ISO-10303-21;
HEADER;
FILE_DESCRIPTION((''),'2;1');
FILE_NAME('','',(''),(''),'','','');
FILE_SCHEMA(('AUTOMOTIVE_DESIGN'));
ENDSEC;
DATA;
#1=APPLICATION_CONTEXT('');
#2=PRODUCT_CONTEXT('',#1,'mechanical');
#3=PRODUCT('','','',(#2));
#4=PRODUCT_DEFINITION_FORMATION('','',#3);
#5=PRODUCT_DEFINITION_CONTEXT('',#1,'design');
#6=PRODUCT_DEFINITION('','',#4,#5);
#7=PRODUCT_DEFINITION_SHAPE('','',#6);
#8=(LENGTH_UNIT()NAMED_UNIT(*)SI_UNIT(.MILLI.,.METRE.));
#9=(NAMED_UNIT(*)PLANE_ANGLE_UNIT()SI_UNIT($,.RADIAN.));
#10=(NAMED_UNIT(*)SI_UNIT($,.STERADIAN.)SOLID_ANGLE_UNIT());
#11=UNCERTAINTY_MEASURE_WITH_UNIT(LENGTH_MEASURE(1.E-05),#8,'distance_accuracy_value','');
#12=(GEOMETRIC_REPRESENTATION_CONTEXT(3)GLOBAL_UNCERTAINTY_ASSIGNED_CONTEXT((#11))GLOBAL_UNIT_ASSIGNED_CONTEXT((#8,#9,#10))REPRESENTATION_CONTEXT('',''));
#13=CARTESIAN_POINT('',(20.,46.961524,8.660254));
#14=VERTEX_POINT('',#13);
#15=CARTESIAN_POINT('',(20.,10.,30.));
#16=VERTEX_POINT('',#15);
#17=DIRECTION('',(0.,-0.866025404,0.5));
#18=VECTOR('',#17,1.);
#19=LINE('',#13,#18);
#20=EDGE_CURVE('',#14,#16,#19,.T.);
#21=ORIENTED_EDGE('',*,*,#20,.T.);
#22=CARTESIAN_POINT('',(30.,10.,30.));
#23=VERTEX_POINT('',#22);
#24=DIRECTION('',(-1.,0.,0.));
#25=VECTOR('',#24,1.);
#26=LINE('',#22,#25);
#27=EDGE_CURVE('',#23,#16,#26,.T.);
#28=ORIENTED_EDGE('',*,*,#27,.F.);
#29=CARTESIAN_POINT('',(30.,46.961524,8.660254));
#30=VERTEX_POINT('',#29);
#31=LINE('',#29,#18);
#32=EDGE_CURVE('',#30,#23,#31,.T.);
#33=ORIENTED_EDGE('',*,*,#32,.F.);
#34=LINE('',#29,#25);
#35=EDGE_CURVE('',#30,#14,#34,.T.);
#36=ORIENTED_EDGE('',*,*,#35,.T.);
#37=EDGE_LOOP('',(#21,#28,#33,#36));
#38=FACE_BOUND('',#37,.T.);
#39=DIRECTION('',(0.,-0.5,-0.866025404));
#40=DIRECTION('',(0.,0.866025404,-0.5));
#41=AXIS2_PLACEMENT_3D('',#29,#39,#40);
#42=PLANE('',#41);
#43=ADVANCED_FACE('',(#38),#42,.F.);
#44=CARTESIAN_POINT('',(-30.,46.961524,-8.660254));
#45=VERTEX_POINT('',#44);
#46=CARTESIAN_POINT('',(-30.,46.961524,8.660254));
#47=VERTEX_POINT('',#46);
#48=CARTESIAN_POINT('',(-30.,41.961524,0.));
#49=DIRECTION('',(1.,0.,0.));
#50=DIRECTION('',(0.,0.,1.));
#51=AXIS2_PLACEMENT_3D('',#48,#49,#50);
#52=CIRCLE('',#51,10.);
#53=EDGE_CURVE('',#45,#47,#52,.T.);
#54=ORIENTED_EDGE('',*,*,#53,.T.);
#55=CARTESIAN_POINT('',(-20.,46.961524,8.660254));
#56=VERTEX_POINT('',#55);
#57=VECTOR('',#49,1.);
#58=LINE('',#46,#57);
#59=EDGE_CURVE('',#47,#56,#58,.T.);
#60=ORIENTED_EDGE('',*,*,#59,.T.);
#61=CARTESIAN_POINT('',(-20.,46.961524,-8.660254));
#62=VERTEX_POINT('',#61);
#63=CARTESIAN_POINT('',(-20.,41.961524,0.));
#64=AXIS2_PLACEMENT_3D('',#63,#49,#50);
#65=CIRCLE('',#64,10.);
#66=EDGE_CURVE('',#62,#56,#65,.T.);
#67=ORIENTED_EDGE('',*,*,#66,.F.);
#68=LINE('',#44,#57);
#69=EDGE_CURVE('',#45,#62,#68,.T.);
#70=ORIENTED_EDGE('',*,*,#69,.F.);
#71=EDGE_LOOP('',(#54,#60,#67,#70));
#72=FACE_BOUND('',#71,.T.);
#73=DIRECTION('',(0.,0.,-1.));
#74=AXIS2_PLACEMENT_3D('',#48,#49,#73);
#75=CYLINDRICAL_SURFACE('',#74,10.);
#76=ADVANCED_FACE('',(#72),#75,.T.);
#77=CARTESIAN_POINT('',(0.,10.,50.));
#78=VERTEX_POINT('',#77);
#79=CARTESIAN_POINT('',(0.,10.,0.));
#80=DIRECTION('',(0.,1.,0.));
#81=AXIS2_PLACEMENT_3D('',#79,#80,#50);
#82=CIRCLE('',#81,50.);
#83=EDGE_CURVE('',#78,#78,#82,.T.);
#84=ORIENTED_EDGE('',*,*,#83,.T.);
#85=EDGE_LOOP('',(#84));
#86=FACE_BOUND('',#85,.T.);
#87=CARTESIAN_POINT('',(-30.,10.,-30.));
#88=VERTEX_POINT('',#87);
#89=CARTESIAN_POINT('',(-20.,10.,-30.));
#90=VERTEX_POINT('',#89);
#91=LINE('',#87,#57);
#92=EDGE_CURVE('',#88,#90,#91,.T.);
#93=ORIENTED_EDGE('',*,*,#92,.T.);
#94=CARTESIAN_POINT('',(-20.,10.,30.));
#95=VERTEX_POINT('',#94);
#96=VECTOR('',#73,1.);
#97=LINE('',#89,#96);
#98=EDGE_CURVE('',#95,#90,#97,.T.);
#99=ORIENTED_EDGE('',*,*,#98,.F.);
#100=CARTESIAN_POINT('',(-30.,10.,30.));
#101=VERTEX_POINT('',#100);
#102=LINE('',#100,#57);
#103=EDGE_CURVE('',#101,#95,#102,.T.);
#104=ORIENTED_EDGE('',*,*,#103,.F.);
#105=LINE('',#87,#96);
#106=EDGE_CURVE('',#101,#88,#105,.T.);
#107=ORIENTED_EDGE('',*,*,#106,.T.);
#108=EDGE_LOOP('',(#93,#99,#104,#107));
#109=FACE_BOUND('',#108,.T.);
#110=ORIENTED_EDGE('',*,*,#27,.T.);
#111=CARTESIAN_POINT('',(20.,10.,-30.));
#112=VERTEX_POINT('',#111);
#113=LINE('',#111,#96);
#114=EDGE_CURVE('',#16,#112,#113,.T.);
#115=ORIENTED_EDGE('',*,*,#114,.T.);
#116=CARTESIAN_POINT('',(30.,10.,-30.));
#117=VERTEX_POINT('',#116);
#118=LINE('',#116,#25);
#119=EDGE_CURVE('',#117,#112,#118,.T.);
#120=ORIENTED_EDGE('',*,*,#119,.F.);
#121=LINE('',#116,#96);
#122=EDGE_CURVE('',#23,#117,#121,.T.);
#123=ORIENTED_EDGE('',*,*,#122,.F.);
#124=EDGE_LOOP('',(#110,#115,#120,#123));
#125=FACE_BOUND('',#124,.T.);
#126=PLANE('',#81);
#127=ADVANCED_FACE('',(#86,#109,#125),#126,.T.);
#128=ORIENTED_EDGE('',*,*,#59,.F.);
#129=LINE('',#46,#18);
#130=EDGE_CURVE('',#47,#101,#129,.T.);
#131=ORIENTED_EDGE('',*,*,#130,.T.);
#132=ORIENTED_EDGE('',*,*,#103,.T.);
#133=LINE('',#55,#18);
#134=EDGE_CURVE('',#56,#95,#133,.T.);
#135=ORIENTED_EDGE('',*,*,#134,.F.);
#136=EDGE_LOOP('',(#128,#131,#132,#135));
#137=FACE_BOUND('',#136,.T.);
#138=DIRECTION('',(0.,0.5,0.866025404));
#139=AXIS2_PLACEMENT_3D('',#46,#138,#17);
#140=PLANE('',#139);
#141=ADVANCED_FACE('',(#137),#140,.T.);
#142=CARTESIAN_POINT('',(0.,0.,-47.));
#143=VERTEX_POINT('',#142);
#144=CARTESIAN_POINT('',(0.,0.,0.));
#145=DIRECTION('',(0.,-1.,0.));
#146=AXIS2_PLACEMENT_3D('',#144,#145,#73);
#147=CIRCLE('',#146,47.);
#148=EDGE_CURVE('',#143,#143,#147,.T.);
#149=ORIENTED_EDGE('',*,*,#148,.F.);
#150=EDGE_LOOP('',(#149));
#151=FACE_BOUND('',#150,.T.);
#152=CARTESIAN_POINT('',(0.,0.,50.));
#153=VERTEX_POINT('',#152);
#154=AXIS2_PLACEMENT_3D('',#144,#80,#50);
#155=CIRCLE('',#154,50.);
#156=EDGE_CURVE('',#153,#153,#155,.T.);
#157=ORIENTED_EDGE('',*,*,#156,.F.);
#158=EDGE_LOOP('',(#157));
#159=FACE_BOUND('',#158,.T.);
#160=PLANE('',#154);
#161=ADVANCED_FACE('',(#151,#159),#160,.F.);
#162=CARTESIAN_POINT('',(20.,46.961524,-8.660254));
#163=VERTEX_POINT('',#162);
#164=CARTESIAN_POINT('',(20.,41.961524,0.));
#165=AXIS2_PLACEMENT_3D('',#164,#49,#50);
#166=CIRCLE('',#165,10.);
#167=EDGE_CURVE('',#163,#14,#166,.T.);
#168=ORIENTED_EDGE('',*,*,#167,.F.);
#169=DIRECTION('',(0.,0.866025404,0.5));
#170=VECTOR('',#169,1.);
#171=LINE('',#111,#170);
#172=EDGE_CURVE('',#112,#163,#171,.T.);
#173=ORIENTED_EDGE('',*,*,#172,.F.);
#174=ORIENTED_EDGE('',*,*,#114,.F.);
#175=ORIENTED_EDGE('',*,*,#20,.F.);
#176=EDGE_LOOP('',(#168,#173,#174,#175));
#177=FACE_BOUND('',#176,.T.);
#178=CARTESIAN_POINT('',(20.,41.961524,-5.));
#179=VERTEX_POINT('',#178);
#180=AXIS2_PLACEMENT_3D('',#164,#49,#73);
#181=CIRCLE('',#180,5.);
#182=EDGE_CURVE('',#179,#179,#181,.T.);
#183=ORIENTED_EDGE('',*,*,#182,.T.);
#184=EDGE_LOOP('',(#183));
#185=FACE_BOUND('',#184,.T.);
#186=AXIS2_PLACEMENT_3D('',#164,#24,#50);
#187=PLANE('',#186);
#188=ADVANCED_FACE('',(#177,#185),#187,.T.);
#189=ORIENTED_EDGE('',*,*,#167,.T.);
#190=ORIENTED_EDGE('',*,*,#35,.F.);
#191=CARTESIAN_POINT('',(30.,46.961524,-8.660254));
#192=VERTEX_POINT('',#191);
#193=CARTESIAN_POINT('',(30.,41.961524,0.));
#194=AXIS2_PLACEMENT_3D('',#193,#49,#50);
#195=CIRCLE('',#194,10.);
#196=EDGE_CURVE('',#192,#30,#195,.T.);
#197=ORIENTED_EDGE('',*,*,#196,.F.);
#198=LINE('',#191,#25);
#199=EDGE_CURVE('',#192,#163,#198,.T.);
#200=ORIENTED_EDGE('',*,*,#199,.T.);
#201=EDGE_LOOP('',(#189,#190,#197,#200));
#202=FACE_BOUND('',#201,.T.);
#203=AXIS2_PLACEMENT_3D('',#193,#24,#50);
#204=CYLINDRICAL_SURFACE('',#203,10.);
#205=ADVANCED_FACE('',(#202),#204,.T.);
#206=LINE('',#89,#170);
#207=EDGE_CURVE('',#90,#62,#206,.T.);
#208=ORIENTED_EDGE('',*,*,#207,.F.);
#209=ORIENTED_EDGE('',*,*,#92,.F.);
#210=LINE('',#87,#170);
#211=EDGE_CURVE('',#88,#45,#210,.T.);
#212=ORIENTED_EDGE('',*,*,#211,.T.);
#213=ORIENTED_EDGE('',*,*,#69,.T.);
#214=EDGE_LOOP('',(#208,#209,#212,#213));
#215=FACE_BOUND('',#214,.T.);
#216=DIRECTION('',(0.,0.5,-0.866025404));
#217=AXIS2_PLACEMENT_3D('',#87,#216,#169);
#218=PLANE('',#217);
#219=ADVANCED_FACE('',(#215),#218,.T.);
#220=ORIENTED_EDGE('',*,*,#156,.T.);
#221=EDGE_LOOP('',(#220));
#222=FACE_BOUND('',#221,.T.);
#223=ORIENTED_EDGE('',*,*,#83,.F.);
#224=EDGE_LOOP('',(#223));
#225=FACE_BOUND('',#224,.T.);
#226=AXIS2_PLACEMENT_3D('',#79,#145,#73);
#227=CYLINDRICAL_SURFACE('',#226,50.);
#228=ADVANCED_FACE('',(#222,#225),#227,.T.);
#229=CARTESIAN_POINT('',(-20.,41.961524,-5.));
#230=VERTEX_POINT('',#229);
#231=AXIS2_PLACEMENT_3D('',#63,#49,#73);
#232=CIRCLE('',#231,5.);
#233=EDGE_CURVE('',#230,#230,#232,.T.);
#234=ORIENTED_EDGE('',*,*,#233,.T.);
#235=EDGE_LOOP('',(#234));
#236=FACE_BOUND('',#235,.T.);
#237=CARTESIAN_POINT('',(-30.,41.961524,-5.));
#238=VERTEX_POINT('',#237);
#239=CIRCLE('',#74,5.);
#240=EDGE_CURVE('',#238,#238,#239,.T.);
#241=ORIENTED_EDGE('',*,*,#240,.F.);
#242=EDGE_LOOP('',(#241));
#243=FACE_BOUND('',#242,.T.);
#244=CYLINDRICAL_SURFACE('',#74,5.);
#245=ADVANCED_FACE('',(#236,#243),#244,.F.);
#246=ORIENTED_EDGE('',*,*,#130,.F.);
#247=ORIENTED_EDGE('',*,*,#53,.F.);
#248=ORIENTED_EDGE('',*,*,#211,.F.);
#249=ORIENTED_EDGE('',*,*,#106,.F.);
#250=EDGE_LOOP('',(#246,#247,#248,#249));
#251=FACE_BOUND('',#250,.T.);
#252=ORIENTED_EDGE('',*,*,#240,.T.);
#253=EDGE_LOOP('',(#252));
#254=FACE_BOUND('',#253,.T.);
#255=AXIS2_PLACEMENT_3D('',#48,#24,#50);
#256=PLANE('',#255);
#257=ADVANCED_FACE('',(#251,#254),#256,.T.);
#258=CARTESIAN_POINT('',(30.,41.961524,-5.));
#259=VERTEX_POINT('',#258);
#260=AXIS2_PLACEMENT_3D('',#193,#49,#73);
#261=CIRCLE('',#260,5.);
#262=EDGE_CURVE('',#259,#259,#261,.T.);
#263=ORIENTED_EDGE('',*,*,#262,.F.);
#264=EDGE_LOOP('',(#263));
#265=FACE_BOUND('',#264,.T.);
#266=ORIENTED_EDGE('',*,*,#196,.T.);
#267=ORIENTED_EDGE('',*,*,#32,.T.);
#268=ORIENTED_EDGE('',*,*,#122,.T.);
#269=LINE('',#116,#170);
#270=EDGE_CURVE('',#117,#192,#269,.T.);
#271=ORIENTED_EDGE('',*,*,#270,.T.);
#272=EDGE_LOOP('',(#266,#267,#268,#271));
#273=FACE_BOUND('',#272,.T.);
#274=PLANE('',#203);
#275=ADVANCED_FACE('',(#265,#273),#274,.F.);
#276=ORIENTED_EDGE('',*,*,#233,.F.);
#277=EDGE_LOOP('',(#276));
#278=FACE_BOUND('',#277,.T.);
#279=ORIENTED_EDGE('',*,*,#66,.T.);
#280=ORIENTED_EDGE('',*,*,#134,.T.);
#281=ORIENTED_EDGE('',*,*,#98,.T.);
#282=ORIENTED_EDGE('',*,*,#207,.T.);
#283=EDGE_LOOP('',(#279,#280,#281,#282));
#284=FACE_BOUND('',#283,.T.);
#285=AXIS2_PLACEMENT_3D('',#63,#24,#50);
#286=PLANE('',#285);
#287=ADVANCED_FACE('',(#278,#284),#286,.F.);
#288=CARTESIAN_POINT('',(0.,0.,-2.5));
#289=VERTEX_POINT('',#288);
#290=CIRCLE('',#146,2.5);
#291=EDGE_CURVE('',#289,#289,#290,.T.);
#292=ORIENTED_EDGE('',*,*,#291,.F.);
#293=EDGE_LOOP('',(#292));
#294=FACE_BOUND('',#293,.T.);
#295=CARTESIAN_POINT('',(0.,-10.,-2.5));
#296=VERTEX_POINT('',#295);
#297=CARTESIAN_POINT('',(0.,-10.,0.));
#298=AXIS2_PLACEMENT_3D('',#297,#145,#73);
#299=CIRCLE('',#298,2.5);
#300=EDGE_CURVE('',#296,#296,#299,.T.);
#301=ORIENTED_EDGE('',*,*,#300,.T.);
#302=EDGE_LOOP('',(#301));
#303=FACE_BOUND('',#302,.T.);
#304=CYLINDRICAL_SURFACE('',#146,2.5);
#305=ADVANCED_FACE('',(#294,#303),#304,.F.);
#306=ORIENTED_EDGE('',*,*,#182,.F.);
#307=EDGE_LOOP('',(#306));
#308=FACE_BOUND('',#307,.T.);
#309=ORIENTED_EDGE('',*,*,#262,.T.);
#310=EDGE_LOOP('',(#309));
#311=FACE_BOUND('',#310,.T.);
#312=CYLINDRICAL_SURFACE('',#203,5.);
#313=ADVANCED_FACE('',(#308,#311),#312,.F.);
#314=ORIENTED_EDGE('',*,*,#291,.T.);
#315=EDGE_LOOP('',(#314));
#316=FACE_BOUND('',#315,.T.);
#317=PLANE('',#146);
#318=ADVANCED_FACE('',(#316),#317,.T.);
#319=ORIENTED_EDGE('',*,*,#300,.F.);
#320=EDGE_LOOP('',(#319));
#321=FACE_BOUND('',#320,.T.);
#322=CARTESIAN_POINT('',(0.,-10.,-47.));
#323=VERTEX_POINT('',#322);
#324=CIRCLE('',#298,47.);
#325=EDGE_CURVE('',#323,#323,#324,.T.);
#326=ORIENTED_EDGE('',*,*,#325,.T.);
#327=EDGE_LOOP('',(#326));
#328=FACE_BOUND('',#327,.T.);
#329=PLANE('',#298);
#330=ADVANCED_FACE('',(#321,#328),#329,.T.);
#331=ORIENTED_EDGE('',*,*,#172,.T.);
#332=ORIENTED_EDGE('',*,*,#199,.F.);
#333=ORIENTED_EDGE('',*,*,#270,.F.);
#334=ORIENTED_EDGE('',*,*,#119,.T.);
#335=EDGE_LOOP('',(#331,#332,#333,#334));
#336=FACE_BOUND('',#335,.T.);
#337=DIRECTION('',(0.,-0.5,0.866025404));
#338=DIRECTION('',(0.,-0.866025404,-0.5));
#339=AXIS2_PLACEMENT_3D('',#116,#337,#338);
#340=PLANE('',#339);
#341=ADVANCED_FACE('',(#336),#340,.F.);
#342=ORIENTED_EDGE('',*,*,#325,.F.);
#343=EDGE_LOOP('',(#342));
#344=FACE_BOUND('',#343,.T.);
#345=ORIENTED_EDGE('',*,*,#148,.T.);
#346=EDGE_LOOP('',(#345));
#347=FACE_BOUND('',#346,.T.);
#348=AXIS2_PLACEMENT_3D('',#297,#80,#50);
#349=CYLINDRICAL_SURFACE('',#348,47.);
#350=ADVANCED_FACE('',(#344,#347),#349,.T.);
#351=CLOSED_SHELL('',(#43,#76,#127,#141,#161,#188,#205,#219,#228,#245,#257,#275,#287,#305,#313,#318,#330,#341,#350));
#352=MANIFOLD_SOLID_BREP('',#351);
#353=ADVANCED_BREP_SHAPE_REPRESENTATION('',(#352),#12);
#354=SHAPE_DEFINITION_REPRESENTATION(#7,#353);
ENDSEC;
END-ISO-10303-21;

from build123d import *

# Parameters (mm, degrees)
SKETCH1_R           = 50
BOSS_EXTRUDE1_DEPTH = 10
BOSS_EXTRUDE2_START = 20
SKETCH2_R           = 5
BOSS_EXTRUDE2_DEPTH = 10
BOSS_EXTRUDE3_START = -30
SKETCH2_2_R         = 5
BOSS_EXTRUDE3_DEPTH = 10
SKETCH3_R           = 47
BOSS_EXTRUDE4_DEPTH = 10
SKETCH4_R           = 2.5
CUT_EXTRUDE1_DEPTH  = 10


with BuildPart() as part:
    # Sketch1 → Boss-Extrude1 (new body)
    with BuildSketch(Plane(origin=(0, 0, 0), x_dir=(1, 0, 0), z_dir=(0, 1, 0))):
        Circle(SKETCH1_R)
    extrude(amount=BOSS_EXTRUDE1_DEPTH)

    # Sketch2 → Boss-Extrude2 (add)
    with BuildSketch(Plane(origin=(0, 0, 0), x_dir=(0, 0, -1), z_dir=(1, 0, 0)).offset(BOSS_EXTRUDE2_START)):
        with BuildLine():
            Line((30, 10), (8.660254038, 46.961524227))
            ThreePointArc((8.660254038, 46.961524227), (0, 51.961524227), (-8.660254038, 46.961524227))
            Line((-8.660254038, 46.961524227), (-30, 10))
            Line((-30, 10), (30, 10))
        make_face()
        with Locations((0, 41.961524227)):
            Circle(SKETCH2_R, mode=Mode.SUBTRACT)
    extrude(amount=BOSS_EXTRUDE2_DEPTH)

    # Sketch2<2> → Boss-Extrude3 (add)
    with BuildSketch(Plane(origin=(0, 0, 0), x_dir=(0, 0, -1), z_dir=(1, 0, 0)).offset(BOSS_EXTRUDE3_START)):
        with BuildLine():
            Line((30, 10), (8.660254038, 46.961524227))
            ThreePointArc((8.660254038, 46.961524227), (0, 51.961524227), (-8.660254038, 46.961524227))
            Line((-8.660254038, 46.961524227), (-30, 10))
            Line((-30, 10), (30, 10))
        make_face()
        with Locations((0, 41.961524227)):
            Circle(SKETCH2_2_R, mode=Mode.SUBTRACT)
    extrude(amount=BOSS_EXTRUDE3_DEPTH)

    # Sketch3 → Boss-Extrude4 (add)
    with BuildSketch(Plane.XZ):
        Circle(SKETCH3_R)
    extrude(amount=BOSS_EXTRUDE4_DEPTH)

    # Sketch4 → Cut-Extrude1 (cut)
    with BuildSketch(Plane.XZ.offset(10)):
        Circle(SKETCH4_R)
    extrude(amount=-CUT_EXTRUDE1_DEPTH, mode=Mode.SUBTRACT)


solid = part.part
